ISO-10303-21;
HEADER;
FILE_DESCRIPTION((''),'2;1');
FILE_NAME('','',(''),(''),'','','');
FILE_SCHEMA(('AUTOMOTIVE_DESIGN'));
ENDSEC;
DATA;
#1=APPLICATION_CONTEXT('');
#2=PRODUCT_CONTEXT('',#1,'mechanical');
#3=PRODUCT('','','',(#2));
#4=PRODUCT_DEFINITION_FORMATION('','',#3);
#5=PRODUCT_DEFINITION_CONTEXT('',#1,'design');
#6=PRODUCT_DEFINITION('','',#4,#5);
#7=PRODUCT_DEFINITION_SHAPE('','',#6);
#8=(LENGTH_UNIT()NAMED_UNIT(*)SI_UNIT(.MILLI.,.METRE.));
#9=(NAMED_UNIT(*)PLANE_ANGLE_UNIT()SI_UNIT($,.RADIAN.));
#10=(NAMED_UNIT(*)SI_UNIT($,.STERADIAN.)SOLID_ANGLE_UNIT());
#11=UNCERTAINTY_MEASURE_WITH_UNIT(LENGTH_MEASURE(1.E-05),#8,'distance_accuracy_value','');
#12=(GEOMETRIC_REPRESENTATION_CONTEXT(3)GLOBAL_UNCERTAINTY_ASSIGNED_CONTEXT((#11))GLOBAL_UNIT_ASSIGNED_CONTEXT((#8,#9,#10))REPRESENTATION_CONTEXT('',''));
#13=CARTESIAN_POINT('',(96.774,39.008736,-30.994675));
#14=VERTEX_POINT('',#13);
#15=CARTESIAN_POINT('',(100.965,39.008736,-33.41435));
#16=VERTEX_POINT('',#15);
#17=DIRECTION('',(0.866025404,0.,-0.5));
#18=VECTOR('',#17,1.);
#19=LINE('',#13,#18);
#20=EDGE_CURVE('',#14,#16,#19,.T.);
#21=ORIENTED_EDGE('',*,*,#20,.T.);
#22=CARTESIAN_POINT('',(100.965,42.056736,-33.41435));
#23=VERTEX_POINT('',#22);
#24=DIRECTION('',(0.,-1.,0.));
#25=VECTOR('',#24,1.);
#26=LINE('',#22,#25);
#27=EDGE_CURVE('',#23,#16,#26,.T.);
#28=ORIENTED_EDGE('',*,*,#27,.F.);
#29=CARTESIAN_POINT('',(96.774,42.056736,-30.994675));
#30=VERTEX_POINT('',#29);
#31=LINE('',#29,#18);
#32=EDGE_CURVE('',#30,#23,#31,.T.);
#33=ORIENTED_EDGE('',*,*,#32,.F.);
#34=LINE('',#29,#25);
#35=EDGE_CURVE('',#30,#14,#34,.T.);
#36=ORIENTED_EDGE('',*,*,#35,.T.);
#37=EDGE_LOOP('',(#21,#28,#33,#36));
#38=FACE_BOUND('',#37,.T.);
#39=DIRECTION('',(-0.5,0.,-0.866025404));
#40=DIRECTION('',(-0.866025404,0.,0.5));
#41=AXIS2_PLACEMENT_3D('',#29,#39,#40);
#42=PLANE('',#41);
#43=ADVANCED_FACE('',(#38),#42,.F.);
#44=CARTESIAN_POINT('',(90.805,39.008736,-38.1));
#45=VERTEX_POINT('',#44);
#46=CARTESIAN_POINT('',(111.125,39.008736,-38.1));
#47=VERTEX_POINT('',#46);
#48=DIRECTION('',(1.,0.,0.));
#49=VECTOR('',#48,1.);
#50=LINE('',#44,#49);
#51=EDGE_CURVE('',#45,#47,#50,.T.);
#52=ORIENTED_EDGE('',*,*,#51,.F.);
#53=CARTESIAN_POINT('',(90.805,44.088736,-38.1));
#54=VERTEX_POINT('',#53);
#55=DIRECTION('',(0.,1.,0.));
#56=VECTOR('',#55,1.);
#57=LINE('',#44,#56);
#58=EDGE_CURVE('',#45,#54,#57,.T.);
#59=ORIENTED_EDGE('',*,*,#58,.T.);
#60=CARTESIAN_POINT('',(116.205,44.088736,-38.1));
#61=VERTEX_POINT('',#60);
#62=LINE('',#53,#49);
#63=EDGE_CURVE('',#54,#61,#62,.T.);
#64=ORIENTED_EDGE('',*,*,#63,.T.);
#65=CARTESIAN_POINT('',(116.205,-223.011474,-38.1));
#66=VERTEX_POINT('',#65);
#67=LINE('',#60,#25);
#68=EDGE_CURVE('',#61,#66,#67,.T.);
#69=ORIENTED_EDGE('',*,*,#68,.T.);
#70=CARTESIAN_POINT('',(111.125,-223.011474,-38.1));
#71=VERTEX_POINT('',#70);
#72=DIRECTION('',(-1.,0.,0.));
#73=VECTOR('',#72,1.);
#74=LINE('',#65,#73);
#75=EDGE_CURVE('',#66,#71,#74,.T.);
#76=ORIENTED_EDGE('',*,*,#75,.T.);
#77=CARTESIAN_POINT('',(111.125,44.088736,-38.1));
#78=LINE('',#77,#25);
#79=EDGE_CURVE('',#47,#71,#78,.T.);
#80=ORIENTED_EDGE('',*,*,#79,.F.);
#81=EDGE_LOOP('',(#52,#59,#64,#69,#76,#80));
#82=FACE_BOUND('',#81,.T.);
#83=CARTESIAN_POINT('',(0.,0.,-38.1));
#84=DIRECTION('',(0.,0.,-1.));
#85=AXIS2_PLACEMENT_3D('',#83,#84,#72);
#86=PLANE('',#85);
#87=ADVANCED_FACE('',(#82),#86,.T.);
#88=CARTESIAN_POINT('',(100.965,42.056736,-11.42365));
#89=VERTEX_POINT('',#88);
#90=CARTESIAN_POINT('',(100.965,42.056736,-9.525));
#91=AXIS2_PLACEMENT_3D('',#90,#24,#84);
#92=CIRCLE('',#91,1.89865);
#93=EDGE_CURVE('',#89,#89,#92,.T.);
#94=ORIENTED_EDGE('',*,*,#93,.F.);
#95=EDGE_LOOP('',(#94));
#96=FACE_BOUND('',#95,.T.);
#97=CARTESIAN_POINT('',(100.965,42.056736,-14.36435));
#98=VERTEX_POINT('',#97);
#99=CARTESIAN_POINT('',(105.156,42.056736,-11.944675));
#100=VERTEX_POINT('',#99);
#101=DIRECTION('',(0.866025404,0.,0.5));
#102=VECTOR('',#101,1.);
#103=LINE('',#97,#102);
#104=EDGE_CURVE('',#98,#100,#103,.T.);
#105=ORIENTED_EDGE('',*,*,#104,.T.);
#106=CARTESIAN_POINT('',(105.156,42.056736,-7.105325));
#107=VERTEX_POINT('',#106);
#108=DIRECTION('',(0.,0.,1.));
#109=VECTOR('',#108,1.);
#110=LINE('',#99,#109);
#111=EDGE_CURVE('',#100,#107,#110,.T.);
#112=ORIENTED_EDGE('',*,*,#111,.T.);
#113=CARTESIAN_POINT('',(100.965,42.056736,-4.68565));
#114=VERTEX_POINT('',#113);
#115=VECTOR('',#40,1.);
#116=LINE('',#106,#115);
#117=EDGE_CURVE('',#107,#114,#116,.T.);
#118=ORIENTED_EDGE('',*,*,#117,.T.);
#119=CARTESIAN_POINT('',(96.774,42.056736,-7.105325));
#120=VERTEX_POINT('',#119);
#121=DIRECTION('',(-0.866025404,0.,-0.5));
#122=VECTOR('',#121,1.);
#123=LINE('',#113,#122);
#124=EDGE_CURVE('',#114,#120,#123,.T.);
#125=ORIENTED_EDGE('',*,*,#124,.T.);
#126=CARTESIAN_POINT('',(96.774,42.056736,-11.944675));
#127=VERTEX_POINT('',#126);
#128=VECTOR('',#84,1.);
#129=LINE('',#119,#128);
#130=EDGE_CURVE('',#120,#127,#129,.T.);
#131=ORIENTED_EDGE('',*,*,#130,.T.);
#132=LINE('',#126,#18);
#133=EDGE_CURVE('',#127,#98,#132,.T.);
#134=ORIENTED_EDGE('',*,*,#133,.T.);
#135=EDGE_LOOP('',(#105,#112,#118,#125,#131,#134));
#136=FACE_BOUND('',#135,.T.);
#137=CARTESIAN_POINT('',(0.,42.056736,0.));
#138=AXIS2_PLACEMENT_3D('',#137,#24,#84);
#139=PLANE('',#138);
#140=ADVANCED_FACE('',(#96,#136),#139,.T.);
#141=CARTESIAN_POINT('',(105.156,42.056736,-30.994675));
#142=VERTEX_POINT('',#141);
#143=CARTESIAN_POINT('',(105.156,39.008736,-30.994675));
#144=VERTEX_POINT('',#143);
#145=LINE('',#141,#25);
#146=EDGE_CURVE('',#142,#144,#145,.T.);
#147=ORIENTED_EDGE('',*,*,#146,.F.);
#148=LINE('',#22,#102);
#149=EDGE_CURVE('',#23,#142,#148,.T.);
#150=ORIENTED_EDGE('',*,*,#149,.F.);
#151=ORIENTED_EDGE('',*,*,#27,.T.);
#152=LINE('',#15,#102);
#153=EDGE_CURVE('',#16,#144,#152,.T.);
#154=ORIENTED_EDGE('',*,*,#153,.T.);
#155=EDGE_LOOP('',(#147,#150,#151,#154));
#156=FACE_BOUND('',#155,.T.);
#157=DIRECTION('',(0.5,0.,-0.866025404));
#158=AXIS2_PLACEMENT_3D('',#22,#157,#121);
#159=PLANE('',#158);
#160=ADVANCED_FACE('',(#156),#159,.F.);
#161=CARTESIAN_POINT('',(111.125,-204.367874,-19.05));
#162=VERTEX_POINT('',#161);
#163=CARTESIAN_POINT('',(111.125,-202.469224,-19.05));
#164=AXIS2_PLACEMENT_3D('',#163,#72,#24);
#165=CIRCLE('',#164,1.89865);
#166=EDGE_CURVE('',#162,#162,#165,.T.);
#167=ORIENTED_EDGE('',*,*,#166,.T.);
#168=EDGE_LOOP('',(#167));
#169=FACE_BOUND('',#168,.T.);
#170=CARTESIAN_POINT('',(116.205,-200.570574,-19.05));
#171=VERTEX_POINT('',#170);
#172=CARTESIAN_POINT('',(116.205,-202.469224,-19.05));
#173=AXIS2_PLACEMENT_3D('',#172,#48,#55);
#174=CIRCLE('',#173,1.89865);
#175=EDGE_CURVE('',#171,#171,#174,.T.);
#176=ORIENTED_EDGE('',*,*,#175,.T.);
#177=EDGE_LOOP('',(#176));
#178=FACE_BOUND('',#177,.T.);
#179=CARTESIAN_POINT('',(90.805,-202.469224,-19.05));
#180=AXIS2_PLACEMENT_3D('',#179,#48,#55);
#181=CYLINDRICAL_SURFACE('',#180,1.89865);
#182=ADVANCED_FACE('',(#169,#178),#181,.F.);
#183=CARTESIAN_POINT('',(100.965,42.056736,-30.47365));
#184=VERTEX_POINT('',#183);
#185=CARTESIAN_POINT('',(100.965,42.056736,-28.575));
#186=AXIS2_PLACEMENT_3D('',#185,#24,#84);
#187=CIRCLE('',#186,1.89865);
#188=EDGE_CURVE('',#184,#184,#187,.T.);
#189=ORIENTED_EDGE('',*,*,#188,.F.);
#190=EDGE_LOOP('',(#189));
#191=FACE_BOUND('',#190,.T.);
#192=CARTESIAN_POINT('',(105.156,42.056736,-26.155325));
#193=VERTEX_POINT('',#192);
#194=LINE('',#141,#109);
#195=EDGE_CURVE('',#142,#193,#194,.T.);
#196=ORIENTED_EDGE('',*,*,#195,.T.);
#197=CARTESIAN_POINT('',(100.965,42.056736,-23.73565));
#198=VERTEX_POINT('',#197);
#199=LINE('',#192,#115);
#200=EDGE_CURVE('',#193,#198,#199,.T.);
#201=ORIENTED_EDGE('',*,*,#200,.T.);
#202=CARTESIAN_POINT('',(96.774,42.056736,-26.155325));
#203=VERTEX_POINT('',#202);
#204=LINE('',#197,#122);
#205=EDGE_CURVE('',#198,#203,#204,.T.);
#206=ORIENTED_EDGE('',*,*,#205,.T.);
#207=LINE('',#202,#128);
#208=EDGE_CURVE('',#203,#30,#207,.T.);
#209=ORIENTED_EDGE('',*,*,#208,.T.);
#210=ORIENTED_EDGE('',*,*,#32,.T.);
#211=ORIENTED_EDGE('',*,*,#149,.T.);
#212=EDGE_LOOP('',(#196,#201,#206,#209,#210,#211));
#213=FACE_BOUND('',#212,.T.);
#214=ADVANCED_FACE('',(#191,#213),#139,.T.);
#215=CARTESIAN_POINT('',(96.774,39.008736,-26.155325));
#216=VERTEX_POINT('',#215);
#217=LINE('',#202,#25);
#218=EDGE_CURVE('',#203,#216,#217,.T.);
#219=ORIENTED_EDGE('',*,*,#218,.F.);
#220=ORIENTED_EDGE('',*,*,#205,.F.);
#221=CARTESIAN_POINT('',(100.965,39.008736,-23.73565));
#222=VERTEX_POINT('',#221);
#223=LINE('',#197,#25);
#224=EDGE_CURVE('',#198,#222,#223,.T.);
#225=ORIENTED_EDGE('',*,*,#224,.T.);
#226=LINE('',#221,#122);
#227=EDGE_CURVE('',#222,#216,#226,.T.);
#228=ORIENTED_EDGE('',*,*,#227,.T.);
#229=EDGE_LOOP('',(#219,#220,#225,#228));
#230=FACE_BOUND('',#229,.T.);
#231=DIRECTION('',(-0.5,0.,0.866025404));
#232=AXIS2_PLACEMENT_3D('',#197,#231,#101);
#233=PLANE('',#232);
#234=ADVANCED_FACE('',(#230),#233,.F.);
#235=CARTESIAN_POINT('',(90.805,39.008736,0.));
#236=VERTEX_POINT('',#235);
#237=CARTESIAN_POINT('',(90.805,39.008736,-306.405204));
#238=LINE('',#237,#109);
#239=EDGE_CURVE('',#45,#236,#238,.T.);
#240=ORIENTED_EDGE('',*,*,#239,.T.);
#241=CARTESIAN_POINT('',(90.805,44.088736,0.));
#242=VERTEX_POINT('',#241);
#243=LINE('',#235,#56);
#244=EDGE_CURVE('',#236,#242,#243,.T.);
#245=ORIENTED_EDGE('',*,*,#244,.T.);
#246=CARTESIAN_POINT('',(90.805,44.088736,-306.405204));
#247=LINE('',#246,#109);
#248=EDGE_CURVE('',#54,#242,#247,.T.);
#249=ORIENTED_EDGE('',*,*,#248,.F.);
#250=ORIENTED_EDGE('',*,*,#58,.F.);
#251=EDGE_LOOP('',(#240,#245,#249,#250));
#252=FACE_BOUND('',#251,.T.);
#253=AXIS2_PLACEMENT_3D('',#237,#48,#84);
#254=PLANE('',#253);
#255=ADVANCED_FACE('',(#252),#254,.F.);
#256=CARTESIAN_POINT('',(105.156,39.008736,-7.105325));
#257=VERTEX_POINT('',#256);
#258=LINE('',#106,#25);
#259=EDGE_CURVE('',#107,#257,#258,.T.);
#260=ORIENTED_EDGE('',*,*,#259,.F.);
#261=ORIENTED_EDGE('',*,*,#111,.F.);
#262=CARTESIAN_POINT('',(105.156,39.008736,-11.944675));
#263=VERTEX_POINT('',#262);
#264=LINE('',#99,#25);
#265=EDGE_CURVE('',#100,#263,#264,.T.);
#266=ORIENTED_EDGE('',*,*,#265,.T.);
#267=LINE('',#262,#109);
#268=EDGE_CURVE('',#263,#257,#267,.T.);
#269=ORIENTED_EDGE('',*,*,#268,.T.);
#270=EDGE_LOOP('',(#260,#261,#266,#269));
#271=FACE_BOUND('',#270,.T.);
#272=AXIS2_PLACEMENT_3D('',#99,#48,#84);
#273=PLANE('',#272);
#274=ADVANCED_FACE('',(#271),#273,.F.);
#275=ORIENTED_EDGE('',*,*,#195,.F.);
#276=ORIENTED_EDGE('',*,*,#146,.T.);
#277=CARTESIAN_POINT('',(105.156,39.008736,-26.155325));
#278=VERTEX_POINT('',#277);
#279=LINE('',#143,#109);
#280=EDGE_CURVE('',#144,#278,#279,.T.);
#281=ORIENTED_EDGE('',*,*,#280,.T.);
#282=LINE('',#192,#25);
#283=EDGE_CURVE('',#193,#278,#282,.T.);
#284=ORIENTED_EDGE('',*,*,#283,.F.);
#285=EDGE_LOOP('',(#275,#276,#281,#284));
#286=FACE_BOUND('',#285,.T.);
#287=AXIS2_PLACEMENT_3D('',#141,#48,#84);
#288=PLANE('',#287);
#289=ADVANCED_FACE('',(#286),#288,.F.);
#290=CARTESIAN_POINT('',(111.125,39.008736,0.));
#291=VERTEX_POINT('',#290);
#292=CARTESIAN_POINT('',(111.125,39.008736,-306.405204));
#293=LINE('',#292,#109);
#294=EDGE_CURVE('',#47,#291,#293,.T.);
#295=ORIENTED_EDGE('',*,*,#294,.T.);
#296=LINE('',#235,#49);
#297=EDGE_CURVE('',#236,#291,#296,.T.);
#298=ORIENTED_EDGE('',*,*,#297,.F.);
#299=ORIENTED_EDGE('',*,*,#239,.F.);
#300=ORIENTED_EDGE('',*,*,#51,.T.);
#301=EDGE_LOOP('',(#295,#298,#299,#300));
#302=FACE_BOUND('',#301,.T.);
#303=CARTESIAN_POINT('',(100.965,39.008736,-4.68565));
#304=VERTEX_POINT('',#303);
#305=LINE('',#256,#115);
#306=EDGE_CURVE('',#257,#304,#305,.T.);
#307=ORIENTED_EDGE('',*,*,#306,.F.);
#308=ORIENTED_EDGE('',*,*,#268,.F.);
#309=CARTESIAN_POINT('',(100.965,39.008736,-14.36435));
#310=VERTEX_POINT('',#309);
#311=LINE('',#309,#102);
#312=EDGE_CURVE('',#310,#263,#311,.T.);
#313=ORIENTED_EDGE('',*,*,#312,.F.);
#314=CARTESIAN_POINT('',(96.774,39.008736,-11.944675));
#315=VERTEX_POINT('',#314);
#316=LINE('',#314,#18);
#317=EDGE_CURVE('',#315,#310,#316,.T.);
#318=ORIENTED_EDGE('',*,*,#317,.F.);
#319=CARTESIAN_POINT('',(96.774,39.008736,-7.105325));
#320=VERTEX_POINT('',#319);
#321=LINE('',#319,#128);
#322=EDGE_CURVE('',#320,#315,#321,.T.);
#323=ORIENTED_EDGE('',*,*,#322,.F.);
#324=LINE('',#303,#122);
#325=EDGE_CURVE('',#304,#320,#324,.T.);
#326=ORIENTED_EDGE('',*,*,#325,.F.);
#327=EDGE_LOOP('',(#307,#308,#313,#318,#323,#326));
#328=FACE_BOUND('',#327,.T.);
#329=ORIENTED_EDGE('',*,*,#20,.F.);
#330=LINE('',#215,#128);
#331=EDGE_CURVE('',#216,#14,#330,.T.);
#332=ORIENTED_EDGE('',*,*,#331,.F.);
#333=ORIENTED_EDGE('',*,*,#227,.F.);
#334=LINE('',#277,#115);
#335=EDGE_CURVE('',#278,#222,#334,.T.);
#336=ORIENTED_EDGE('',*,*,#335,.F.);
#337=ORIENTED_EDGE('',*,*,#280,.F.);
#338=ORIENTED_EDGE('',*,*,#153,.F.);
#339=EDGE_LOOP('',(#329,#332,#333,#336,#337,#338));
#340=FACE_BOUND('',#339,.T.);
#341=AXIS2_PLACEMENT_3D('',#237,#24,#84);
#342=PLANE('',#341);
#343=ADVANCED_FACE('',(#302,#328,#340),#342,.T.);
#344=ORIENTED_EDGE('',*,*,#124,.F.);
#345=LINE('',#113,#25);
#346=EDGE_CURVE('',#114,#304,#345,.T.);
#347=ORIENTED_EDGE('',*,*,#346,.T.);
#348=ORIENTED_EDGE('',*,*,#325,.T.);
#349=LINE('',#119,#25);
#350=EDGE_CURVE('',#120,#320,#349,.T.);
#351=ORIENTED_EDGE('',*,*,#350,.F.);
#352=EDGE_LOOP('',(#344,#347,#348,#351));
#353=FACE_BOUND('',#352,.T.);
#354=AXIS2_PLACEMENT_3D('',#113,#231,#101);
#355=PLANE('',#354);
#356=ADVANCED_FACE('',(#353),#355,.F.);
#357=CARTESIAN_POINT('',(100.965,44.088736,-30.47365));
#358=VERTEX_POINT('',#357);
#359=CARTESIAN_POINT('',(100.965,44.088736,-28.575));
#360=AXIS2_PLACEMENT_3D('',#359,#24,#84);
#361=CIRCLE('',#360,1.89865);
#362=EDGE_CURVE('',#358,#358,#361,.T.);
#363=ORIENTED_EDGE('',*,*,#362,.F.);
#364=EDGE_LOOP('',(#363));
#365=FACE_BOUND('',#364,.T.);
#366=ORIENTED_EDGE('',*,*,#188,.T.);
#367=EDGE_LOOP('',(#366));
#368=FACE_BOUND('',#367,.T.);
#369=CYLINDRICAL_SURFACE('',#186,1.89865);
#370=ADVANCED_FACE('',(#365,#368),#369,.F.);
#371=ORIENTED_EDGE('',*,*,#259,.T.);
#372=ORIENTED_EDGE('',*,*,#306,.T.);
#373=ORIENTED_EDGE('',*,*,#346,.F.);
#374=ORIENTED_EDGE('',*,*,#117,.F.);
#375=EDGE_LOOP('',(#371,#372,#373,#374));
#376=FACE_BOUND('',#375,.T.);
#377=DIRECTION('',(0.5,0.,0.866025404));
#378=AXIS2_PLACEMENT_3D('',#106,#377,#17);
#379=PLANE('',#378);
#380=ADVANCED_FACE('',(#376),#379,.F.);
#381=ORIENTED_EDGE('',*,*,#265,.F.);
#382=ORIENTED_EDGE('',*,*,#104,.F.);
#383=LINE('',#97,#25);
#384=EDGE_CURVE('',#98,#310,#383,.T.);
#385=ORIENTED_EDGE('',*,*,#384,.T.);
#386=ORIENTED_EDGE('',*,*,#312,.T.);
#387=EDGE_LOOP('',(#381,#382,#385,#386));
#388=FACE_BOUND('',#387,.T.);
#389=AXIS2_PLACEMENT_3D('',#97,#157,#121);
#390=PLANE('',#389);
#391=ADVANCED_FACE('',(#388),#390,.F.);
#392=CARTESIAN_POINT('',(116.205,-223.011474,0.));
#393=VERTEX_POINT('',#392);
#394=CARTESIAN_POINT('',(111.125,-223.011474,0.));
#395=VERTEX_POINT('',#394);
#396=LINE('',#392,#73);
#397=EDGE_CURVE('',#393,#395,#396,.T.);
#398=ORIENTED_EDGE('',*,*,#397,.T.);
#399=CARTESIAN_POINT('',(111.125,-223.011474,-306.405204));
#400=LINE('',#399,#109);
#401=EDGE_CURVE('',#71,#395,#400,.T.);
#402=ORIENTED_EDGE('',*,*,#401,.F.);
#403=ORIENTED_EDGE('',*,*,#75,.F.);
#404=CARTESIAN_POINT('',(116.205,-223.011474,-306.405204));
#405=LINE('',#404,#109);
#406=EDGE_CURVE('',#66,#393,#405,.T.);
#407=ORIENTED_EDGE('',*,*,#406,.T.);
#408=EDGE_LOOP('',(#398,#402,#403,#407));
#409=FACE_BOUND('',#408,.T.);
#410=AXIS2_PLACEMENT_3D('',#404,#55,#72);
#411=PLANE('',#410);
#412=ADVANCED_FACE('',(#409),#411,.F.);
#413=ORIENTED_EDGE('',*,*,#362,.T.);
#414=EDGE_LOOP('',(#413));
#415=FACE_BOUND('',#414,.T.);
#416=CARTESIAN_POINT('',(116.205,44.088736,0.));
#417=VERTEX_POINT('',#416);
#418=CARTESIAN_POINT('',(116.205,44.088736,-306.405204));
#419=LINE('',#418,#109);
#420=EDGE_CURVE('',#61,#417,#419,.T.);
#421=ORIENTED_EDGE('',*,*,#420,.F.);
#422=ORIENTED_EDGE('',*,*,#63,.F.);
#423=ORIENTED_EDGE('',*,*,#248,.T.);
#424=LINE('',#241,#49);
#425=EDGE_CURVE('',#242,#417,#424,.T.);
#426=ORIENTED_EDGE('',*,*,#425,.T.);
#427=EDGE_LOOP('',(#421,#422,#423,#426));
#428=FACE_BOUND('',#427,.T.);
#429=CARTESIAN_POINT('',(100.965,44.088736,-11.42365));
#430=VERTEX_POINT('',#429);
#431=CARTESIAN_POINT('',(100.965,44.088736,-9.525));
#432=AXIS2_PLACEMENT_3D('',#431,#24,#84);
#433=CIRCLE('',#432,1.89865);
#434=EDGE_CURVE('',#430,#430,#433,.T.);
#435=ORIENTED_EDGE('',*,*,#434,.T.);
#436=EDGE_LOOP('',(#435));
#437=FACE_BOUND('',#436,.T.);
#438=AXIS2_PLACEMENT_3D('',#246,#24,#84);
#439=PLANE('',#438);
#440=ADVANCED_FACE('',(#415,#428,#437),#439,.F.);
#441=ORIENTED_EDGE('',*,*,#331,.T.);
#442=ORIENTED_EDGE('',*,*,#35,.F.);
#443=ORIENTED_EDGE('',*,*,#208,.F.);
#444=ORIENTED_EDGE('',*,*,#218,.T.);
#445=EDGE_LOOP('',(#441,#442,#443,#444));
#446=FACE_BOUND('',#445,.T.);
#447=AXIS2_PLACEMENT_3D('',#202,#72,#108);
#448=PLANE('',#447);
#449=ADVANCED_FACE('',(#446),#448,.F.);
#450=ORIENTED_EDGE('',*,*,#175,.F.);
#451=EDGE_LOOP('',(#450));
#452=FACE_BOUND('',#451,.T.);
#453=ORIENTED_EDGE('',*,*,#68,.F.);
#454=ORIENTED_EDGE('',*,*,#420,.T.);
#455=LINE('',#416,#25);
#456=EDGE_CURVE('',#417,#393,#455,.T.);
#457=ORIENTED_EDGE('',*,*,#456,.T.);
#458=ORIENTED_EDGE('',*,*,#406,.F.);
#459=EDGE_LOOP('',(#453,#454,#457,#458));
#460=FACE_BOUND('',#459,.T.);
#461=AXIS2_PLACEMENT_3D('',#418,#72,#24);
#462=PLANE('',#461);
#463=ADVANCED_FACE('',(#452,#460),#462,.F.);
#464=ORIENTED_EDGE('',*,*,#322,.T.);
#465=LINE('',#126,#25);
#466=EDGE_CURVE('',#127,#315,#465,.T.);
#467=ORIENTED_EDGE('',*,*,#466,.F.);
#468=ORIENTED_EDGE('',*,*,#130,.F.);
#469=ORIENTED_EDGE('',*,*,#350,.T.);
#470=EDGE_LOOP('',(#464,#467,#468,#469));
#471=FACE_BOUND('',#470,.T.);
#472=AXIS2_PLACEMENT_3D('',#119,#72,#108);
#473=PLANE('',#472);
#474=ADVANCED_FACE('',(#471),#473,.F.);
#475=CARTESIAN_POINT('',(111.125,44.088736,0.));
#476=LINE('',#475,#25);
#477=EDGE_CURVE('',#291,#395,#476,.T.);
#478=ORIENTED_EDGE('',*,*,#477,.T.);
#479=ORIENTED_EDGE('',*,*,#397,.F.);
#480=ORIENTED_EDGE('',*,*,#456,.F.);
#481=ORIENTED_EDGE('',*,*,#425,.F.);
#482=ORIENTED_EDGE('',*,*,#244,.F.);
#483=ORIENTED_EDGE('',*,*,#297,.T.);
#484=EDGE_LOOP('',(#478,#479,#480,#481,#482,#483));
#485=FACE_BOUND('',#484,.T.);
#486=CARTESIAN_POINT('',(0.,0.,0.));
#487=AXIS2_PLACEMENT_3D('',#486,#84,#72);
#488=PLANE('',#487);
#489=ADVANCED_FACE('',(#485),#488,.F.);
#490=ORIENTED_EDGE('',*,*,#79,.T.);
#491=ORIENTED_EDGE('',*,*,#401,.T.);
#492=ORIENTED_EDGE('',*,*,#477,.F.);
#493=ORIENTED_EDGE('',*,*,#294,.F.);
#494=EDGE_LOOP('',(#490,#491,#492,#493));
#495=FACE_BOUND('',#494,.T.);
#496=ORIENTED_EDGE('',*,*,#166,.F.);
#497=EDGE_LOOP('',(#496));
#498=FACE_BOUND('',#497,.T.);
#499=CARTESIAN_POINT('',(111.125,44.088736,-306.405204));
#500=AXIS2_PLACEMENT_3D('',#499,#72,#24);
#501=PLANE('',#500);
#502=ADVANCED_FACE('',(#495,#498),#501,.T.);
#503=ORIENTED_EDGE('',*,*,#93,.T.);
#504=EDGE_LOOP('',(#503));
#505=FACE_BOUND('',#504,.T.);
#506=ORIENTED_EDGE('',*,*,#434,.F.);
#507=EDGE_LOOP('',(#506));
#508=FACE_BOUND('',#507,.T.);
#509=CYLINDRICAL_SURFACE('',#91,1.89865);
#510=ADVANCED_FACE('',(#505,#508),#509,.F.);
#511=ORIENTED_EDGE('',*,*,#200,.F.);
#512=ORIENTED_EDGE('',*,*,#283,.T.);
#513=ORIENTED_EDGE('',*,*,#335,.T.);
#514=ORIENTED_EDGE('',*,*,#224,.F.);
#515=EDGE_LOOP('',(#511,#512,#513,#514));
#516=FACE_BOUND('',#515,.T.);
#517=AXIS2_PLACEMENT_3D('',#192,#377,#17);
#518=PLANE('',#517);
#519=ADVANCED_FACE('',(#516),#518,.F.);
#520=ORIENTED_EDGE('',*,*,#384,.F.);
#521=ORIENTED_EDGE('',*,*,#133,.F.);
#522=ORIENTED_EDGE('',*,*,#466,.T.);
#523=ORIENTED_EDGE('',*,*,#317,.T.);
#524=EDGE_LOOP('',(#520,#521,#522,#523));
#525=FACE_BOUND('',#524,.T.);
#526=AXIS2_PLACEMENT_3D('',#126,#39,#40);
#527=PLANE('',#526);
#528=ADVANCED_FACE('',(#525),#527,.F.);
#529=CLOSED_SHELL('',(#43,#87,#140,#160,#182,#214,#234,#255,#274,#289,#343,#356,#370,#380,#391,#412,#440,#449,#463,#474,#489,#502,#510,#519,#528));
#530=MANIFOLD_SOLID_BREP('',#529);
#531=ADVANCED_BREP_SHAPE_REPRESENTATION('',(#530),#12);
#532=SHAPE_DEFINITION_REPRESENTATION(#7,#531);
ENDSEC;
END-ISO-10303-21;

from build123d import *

# Parameters (mm, degrees)
EXTRU_MINCE1_DEPTH      = 38.1
ESQUISSE2_R             = 1.89865
ENL_V_MAT_EXTRU_1_DEPTH = 228.663979486
ENL_V_MAT_EXTRU_2_DEPTH = 3.048
D_GAGEMENT_61_D         = 3.7973


with BuildPart() as part:
    # Esquisse1 → Extru.-Mince1 (new body)
    with BuildSketch(Plane.XY):
        Polygon((90.805, 44.088736397), (116.205, 44.088736397), (116.205, -223.011474044), (111.125, -223.011474044), (111.125, 39.008736397), (90.805, 39.008736397), align=None)
    extrude(amount=-EXTRU_MINCE1_DEPTH)

    # Esquisse2 → Enlèv. mat.-Extru.1 (cut, through all)
    with BuildSketch(Plane(origin=(116.205, 0, 0), x_dir=(0, 0, -1), z_dir=(1, 0, 0))):
        with Locations(Location((19.05, -202.469224044, 0), (0, 0, 90))):
            Circle(ESQUISSE2_R)
    extrude(amount=-ENL_V_MAT_EXTRU_1_DEPTH, mode=Mode.SUBTRACT)

    # Esquisse3 → Enlèv. mat.-Extru.2 (cut)
    with BuildSketch(Plane.XZ.offset(-39.008736397)):
        Polygon((100.965, -23.735650044), (96.774, -26.155325022), (96.774, -30.994674978), (100.965, -33.414349956), (105.156, -30.994674978), (105.156, -26.155325022), align=None)
        Polygon((100.965, -4.685650044), (96.774, -7.105325022), (96.774, -11.944674978), (100.965, -14.364349956), (105.156, -11.944674978), (105.156, -7.105325022), align=None)
    extrude(amount=-ENL_V_MAT_EXTRU_2_DEPTH, mode=Mode.SUBTRACT)

    # Dégagement #61 (through all)
    with Locations(Plane(origin=(0, 42.056736397, 0), x_dir=(-1, 0, 0), z_dir=(0, -1, 0))):
        with Locations((-100.965, 28.575), (-100.965, 9.525)):
            Hole(D_GAGEMENT_61_D / 2)


solid = part.part
